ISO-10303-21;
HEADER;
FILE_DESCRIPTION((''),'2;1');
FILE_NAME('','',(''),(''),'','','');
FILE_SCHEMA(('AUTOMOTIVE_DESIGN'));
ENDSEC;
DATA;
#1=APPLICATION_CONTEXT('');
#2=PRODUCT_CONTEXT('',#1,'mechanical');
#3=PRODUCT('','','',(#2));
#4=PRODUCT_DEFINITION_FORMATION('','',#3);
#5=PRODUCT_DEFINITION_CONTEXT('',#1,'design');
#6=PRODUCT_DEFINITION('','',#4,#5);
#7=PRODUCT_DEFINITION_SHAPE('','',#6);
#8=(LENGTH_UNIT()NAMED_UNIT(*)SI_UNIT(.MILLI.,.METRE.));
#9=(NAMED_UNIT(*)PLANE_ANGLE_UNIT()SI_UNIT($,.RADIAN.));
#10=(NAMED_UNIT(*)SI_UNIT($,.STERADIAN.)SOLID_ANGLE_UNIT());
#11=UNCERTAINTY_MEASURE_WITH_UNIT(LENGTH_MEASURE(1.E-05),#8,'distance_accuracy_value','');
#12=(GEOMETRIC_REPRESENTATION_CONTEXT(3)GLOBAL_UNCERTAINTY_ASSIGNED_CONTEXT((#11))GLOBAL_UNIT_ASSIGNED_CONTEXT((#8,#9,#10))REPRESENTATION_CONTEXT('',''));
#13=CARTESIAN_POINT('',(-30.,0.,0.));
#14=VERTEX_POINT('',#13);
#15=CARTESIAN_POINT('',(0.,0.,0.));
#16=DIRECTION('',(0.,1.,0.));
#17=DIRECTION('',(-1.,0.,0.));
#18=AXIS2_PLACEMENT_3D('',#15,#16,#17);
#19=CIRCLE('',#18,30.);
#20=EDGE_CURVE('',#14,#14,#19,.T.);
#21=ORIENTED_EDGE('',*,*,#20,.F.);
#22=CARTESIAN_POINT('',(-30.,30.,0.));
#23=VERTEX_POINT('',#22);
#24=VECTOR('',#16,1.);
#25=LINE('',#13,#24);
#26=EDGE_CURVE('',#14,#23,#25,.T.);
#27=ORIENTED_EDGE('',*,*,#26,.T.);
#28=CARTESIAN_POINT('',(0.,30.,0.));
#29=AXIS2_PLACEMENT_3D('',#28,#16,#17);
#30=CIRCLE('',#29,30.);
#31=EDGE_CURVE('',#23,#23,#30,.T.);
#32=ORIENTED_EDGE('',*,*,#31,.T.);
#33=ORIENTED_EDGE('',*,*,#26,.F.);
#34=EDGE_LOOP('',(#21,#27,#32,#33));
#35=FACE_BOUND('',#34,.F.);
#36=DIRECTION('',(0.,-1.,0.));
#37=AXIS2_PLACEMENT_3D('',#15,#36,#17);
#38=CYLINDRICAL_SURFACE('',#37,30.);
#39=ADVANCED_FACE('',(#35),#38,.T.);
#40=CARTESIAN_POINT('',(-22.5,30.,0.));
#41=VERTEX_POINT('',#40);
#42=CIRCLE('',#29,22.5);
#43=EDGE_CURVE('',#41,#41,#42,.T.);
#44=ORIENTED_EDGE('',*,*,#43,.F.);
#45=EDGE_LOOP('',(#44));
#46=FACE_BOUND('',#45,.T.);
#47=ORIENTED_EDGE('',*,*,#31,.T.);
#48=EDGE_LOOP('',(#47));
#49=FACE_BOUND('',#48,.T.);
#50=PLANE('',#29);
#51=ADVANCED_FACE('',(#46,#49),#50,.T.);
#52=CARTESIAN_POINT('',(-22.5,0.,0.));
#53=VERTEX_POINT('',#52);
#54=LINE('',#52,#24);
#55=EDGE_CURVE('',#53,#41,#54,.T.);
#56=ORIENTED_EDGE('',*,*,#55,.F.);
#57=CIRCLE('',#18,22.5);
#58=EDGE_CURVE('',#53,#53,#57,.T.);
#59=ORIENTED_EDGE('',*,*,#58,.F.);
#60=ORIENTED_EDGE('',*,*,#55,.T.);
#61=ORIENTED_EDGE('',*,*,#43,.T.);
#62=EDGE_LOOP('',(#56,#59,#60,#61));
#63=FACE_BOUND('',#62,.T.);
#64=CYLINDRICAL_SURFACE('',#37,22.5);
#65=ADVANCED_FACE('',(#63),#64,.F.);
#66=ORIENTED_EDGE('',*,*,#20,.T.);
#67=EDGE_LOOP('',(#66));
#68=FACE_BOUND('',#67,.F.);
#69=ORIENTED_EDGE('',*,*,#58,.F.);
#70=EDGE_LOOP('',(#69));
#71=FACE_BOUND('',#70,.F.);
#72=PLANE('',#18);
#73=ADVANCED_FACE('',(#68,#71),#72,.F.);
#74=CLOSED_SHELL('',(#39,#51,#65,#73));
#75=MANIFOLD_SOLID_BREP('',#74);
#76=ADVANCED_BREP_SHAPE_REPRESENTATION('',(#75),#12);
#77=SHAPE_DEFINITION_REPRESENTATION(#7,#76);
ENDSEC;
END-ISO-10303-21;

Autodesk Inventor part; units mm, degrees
ref_plane "YZ Plane" through (0, 0, 0) normal (1, 0, 0) x (0, 1, 0)
ref_plane "XZ Plane" through (0, 0, 0) normal (0, 1, 0) x (-1, 0, 0)
ref_plane "XY Plane" through (0, 0, 0) normal (0, 0, 1) x (1, 0, 0)
sketch "Sketch1" plane through (0, 0, 0) normal (0, 1, 0) x (-1, 0, 0)
  circle A0 centre (0, 0) radius 30
  circle A1 centre (0, 0) radius 22.5
  dimension "d0" = 60
  dimension "d1" = 45
extrude "Extrusion1" add sketch "Sketch1" along normal blind 30
properties part number "ball support"
